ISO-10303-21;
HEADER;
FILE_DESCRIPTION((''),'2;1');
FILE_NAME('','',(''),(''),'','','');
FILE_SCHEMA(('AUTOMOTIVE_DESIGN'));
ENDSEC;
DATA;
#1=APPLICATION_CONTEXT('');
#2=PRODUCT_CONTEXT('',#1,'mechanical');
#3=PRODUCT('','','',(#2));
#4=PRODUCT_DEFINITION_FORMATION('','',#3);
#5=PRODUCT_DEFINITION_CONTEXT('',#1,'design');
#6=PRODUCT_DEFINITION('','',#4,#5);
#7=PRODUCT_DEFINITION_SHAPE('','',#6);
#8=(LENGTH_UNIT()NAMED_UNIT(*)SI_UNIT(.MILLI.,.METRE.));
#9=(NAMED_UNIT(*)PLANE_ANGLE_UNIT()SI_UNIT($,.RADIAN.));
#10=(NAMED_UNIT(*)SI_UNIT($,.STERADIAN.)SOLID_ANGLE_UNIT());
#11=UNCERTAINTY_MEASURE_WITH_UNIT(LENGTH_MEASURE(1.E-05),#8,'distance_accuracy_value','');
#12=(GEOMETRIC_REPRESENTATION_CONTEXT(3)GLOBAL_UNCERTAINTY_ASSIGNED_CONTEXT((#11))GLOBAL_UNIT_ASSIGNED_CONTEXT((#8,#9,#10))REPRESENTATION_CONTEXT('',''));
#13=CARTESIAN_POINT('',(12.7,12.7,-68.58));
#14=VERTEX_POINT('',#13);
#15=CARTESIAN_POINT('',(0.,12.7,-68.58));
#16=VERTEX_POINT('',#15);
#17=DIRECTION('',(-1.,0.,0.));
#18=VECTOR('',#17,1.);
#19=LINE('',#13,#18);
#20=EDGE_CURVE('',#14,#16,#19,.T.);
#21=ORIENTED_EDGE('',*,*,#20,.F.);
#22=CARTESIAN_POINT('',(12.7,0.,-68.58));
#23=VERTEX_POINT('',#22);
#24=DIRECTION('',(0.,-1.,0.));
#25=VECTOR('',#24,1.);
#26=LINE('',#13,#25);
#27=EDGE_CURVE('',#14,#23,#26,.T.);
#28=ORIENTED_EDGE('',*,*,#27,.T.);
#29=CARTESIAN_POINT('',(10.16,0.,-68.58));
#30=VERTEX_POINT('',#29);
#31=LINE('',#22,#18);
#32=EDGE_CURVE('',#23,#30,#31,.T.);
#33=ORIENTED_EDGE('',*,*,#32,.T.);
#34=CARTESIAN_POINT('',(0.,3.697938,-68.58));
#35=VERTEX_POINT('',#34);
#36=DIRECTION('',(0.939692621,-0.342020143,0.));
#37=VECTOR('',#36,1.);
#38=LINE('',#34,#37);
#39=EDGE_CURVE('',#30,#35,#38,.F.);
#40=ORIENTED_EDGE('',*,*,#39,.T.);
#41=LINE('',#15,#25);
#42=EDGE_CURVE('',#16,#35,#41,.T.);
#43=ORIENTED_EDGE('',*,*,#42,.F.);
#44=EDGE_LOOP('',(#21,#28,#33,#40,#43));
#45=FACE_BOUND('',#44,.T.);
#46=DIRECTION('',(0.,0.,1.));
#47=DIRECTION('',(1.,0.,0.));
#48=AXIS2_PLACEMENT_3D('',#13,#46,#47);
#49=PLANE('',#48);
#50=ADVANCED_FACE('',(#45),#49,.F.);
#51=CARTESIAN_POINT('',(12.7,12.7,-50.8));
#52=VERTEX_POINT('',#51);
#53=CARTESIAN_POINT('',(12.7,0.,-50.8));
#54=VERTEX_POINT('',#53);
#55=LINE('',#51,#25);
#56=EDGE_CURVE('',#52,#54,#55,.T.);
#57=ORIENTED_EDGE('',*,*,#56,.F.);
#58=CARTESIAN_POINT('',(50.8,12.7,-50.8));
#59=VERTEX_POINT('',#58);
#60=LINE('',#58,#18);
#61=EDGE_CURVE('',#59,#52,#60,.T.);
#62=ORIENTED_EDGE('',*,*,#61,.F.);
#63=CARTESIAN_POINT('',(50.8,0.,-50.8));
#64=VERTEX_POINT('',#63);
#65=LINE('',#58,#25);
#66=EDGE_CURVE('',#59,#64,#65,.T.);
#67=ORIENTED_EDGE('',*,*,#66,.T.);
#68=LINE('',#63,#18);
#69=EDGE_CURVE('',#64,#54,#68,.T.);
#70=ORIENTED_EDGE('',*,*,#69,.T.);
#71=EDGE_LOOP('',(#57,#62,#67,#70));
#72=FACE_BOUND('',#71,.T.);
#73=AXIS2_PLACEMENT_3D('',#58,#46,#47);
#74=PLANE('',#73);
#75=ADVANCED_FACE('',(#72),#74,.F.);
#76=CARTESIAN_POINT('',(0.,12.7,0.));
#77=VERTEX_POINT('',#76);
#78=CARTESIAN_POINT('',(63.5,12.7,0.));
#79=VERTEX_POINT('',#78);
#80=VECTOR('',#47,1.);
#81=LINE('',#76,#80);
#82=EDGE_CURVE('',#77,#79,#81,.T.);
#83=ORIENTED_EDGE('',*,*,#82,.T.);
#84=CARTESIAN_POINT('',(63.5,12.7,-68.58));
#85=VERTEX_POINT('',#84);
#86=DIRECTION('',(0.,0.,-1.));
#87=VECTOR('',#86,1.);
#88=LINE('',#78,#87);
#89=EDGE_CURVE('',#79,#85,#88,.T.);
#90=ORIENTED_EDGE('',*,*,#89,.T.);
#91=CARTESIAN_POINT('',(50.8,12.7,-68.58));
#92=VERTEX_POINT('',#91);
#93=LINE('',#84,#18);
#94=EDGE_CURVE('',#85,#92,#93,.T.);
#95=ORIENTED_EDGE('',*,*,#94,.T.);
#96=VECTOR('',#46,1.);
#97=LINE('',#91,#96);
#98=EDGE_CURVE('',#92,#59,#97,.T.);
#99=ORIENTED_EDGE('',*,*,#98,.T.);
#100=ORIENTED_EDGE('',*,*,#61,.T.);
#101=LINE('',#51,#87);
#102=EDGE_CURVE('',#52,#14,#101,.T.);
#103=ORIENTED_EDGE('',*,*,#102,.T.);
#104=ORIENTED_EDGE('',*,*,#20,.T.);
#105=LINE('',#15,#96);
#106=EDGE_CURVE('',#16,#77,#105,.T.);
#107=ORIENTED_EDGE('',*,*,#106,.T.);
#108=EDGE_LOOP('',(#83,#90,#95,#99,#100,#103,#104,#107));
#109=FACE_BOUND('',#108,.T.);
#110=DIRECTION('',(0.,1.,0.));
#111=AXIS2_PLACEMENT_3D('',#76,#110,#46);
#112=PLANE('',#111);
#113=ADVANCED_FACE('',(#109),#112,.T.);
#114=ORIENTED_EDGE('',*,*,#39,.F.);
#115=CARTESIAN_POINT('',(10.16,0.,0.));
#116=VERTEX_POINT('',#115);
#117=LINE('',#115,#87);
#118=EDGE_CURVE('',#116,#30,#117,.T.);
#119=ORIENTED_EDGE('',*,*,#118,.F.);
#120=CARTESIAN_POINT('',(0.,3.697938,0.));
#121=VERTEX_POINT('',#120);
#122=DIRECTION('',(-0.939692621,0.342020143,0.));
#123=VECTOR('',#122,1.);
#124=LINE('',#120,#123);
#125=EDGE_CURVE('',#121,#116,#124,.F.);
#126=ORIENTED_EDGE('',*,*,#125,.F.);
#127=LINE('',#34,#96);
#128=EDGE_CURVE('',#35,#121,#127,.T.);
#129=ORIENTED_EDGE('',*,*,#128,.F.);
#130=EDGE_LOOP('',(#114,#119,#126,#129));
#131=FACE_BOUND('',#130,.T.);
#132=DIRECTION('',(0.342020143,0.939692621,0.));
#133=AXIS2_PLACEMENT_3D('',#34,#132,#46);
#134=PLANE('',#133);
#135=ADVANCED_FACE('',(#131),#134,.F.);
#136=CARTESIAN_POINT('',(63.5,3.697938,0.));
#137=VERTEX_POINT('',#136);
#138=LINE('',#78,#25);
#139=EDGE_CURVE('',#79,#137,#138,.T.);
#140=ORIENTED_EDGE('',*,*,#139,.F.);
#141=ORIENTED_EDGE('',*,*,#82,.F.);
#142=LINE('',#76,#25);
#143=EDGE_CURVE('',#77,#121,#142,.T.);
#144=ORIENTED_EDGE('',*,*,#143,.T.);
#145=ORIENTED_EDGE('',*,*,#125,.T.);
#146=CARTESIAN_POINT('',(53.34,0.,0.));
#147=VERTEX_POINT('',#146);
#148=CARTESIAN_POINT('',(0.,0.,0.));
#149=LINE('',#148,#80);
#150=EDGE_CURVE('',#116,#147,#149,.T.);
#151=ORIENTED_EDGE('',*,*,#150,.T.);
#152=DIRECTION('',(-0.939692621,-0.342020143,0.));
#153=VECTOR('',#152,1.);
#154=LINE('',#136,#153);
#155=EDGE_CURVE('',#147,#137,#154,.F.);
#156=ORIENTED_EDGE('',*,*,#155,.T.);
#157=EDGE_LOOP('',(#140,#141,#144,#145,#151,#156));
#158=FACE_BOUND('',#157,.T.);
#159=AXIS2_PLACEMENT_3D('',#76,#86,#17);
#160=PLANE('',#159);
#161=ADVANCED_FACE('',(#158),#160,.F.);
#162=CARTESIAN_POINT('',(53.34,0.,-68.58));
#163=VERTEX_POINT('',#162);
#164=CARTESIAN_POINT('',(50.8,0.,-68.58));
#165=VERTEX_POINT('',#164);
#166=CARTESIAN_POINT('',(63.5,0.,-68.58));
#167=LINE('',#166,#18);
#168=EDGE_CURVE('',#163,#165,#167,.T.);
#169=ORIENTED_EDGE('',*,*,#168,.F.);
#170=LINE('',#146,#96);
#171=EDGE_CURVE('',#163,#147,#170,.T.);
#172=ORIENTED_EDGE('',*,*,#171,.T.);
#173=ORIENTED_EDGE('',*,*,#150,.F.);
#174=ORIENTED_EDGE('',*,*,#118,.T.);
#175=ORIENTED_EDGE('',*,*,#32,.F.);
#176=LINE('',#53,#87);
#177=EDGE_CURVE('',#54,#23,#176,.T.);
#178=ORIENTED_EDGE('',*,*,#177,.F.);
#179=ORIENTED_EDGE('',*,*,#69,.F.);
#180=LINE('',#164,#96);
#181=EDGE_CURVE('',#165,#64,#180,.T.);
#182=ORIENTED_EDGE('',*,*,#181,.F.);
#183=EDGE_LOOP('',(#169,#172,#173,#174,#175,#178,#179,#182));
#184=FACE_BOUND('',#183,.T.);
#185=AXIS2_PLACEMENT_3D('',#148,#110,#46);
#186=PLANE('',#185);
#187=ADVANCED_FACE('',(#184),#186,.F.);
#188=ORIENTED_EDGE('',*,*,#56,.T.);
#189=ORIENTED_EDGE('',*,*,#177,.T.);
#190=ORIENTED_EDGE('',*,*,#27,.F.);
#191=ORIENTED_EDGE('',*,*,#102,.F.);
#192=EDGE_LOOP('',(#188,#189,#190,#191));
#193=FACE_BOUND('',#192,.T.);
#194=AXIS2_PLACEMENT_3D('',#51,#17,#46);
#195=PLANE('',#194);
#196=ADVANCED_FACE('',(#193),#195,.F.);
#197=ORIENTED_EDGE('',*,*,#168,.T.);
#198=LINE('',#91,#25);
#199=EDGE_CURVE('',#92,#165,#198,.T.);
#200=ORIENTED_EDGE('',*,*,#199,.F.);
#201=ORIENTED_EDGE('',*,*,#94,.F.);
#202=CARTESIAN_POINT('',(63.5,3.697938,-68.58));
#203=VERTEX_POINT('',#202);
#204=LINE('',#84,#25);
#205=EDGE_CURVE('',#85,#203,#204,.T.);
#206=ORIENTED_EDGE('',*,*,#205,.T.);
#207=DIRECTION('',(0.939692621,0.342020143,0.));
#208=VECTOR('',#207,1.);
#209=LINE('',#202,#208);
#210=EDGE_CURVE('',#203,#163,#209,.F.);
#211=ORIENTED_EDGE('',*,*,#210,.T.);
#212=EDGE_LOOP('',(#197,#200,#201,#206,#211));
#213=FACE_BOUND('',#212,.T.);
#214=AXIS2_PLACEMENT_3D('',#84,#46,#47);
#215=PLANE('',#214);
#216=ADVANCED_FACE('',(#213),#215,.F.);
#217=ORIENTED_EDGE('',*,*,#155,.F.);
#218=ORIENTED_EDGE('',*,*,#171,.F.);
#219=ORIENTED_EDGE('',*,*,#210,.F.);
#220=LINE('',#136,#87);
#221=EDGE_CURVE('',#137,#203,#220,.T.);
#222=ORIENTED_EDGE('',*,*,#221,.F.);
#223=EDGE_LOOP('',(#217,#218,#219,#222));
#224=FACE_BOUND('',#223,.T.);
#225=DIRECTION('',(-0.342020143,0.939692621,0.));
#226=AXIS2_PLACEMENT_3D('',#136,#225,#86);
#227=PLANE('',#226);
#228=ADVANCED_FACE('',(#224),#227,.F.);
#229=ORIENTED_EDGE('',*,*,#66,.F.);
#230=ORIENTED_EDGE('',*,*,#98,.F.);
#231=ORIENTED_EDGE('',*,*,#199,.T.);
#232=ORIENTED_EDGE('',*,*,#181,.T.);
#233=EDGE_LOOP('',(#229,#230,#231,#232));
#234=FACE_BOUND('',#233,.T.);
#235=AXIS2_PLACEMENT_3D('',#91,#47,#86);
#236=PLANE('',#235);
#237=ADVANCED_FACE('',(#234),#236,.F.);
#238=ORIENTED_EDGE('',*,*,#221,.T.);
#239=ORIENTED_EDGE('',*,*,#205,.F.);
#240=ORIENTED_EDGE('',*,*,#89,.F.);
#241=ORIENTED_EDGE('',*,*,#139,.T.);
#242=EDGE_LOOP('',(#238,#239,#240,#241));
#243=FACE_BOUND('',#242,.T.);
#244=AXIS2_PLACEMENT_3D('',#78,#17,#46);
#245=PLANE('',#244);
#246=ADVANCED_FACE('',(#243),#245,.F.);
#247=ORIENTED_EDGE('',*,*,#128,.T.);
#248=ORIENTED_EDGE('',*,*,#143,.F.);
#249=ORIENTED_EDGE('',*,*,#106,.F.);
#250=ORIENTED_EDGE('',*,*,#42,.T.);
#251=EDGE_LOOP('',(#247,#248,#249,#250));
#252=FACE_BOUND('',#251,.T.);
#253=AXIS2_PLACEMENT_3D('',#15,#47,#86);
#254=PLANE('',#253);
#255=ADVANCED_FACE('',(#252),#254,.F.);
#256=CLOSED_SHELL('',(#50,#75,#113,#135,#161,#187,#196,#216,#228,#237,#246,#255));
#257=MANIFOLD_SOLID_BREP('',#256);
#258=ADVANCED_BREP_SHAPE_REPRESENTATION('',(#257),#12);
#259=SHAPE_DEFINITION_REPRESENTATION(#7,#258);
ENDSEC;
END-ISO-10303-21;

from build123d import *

# Parameters (mm, degrees)
BOSS_EXTRUDE1_DEPTH = 12.7
CHAMFER1_SIZE       = 10.16
CHAMFER1_SIZE2      = 3.69793758


with BuildPart() as part:
    # Sketch1 → Boss-Extrude1 (new body)
    with BuildSketch(Plane(origin=(0, 0, 0), x_dir=(1, 0, 0), z_dir=(0, 1, 0))):
        Polygon((0, 0), (63.5, 0), (63.5, 68.58), (50.8, 68.58), (50.8, 50.8), (12.7, 50.8), (12.7, 68.58), (0, 68.58), align=None)
    extrude(amount=BOSS_EXTRUDE1_DEPTH)

    # Chamfer1
    chamfer1_edges = [part.edges().sort_by_distance(p)[0] for p in [
        (0, 0, -34.29),
        (63.5, 0, -34.29),
    ]]
    chamfer1_side = [part.faces().sort_by_distance(p)[0] for p in [
        (31.75, 0, -29.611052632),
    ]]
    chamfer(chamfer1_edges, length=CHAMFER1_SIZE, length2=CHAMFER1_SIZE2, reference=chamfer1_side[0])


solid = part.part
